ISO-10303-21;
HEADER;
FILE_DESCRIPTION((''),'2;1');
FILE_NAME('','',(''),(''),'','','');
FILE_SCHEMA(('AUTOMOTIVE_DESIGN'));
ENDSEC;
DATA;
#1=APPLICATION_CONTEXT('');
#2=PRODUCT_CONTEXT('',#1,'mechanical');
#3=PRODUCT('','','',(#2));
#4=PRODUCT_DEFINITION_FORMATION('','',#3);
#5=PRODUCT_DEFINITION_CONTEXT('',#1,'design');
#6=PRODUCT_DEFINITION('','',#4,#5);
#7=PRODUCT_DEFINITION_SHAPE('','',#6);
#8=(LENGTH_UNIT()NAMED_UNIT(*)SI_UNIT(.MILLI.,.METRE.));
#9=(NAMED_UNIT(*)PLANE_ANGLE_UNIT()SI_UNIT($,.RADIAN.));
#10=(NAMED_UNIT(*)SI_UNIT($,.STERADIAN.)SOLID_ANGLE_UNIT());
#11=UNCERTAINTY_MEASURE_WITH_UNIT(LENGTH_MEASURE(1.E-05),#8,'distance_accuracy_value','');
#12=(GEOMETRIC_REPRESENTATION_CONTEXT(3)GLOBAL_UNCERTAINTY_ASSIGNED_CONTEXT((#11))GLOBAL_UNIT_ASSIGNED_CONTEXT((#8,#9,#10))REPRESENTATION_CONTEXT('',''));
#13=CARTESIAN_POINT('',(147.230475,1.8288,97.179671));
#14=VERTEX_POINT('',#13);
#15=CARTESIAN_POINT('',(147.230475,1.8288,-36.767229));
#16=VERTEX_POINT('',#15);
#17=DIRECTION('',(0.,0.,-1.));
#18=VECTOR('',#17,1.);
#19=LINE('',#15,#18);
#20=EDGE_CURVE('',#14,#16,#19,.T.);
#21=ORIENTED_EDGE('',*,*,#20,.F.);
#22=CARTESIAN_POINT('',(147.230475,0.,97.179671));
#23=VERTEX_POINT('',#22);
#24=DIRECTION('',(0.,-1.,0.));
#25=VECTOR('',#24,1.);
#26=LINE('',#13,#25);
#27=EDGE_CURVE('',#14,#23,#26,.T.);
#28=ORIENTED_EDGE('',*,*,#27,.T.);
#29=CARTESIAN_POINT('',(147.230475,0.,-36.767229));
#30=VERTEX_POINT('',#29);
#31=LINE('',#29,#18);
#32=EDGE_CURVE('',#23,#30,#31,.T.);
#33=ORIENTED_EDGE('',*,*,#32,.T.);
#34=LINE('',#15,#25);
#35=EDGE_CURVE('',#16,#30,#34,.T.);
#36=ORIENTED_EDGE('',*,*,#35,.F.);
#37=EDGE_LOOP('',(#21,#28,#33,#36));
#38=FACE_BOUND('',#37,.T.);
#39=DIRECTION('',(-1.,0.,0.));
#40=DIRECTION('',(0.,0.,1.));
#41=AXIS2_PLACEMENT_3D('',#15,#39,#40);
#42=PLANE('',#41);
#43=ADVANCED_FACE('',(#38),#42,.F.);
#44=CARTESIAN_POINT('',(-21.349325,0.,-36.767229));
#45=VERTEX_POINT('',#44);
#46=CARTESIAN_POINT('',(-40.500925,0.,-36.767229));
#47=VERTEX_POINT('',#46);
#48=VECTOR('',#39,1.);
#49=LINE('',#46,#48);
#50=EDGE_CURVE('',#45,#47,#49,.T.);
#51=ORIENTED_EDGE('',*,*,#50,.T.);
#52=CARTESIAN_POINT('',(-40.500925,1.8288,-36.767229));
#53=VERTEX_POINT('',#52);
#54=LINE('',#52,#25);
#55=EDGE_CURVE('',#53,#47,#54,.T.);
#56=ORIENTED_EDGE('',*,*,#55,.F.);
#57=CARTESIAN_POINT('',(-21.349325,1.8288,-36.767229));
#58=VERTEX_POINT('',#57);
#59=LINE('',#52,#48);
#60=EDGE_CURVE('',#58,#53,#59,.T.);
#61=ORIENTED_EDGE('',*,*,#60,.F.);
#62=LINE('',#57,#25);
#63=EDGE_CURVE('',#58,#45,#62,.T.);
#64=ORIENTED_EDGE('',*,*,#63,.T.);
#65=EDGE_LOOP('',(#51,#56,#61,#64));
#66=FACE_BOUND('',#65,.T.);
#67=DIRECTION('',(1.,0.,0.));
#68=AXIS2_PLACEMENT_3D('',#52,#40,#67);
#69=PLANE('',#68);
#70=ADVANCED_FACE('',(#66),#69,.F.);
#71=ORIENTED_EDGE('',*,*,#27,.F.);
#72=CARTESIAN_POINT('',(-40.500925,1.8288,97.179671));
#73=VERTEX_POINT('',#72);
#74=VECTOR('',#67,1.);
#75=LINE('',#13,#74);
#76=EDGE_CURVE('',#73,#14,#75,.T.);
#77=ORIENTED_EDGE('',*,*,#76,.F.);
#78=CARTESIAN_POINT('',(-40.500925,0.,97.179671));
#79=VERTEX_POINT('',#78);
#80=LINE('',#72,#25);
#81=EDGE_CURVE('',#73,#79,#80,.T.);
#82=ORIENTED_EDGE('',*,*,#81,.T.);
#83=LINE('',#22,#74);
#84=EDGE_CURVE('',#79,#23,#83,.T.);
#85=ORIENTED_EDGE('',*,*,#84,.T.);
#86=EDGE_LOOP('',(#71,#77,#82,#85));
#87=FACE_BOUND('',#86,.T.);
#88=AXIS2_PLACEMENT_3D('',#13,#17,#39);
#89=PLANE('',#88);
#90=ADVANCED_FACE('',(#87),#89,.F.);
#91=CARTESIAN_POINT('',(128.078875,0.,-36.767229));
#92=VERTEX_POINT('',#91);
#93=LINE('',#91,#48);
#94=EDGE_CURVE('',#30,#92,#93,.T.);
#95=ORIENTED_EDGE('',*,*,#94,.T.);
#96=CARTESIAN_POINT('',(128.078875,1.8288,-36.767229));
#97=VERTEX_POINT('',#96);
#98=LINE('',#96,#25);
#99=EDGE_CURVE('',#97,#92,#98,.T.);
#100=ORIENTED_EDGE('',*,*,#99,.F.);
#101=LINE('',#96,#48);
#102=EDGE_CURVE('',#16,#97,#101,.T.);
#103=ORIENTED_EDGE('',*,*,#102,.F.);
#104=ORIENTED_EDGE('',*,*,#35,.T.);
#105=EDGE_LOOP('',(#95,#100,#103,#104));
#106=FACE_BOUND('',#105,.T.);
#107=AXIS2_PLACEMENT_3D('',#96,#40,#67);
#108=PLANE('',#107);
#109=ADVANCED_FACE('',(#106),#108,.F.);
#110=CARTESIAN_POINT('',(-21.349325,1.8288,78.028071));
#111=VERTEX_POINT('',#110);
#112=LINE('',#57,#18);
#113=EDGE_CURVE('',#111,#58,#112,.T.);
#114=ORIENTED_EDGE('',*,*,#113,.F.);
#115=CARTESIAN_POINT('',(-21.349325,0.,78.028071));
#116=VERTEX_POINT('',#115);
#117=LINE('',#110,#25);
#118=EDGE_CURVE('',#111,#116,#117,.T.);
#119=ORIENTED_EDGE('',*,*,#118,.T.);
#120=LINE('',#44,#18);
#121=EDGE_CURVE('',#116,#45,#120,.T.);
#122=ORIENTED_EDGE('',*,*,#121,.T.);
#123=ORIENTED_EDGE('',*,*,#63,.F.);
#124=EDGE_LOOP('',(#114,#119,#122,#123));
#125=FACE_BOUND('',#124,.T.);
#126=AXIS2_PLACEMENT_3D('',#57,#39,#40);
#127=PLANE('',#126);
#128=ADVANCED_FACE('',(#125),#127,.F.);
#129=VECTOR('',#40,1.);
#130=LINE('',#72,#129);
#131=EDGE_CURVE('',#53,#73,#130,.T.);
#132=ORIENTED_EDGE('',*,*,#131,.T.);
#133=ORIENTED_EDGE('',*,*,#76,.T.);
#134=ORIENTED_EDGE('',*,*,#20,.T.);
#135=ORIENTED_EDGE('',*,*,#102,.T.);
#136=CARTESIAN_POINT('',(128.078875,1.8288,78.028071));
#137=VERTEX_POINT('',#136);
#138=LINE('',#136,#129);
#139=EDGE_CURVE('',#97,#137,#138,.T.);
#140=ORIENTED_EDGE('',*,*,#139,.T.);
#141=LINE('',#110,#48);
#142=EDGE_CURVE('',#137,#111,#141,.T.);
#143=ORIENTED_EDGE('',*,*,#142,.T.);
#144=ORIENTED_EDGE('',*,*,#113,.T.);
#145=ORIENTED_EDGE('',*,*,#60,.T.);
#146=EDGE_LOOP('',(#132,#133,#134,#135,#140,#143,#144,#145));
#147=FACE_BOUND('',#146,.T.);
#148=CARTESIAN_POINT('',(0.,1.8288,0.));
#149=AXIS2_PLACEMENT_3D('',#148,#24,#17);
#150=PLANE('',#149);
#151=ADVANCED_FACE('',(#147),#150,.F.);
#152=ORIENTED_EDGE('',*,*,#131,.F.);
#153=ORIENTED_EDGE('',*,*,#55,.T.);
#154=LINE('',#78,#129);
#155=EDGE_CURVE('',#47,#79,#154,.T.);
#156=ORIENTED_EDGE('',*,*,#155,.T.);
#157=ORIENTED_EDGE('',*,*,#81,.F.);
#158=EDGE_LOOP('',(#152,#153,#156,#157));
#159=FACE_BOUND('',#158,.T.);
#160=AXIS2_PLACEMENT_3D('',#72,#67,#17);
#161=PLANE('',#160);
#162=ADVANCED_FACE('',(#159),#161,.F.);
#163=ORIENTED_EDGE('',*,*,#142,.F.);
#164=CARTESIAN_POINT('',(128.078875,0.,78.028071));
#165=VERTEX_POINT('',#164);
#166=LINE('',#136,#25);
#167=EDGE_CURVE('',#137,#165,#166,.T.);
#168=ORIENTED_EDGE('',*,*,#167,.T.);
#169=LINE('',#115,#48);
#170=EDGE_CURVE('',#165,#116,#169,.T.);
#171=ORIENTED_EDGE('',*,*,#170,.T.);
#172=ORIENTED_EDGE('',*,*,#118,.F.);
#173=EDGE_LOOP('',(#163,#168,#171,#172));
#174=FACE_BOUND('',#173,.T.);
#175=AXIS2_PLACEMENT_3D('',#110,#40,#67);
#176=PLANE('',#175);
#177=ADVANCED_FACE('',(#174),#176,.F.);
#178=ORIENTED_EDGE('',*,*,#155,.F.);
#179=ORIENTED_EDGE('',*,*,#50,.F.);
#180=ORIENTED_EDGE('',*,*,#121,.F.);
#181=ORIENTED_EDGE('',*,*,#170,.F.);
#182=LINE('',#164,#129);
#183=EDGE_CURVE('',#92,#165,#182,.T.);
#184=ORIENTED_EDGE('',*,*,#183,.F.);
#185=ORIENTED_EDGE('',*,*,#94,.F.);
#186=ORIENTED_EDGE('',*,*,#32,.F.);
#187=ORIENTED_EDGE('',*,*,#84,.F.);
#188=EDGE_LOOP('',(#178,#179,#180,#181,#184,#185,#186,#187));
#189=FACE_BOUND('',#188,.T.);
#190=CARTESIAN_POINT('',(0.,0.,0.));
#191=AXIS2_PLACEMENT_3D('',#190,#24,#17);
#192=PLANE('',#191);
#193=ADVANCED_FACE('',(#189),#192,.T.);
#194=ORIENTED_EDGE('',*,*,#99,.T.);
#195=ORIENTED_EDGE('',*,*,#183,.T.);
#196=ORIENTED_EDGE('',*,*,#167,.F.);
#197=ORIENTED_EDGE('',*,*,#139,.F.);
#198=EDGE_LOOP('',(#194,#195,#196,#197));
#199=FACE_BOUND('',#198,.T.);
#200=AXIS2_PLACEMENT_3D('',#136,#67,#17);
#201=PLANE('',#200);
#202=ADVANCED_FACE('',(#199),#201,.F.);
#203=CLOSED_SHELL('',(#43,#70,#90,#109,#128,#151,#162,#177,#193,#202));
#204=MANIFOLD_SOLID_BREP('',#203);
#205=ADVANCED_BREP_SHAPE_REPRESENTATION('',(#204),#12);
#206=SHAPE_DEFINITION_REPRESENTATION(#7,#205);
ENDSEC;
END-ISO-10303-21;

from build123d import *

# Parameters (mm, degrees)
BOSS_EXTRUDE1_DEPTH = 1.8288


with BuildPart() as part:
    # Sketch1 → Boss-Extrude1 (new body)
    with BuildSketch(Plane(origin=(0, 0, 0), x_dir=(1, 0, 0), z_dir=(0, 1, 0))):
        Polygon((-40.50092459, 36.767228689), (-21.34932459, 36.767228689), (-21.34932459, -78.028071311), (128.07887541, -78.028071311), (128.07887541, 36.767228689), (147.23047541, 36.767228689), (147.23047541, -97.179671311), (-40.50092459, -97.179671311), align=None)
    extrude(amount=BOSS_EXTRUDE1_DEPTH)


solid = part.part
